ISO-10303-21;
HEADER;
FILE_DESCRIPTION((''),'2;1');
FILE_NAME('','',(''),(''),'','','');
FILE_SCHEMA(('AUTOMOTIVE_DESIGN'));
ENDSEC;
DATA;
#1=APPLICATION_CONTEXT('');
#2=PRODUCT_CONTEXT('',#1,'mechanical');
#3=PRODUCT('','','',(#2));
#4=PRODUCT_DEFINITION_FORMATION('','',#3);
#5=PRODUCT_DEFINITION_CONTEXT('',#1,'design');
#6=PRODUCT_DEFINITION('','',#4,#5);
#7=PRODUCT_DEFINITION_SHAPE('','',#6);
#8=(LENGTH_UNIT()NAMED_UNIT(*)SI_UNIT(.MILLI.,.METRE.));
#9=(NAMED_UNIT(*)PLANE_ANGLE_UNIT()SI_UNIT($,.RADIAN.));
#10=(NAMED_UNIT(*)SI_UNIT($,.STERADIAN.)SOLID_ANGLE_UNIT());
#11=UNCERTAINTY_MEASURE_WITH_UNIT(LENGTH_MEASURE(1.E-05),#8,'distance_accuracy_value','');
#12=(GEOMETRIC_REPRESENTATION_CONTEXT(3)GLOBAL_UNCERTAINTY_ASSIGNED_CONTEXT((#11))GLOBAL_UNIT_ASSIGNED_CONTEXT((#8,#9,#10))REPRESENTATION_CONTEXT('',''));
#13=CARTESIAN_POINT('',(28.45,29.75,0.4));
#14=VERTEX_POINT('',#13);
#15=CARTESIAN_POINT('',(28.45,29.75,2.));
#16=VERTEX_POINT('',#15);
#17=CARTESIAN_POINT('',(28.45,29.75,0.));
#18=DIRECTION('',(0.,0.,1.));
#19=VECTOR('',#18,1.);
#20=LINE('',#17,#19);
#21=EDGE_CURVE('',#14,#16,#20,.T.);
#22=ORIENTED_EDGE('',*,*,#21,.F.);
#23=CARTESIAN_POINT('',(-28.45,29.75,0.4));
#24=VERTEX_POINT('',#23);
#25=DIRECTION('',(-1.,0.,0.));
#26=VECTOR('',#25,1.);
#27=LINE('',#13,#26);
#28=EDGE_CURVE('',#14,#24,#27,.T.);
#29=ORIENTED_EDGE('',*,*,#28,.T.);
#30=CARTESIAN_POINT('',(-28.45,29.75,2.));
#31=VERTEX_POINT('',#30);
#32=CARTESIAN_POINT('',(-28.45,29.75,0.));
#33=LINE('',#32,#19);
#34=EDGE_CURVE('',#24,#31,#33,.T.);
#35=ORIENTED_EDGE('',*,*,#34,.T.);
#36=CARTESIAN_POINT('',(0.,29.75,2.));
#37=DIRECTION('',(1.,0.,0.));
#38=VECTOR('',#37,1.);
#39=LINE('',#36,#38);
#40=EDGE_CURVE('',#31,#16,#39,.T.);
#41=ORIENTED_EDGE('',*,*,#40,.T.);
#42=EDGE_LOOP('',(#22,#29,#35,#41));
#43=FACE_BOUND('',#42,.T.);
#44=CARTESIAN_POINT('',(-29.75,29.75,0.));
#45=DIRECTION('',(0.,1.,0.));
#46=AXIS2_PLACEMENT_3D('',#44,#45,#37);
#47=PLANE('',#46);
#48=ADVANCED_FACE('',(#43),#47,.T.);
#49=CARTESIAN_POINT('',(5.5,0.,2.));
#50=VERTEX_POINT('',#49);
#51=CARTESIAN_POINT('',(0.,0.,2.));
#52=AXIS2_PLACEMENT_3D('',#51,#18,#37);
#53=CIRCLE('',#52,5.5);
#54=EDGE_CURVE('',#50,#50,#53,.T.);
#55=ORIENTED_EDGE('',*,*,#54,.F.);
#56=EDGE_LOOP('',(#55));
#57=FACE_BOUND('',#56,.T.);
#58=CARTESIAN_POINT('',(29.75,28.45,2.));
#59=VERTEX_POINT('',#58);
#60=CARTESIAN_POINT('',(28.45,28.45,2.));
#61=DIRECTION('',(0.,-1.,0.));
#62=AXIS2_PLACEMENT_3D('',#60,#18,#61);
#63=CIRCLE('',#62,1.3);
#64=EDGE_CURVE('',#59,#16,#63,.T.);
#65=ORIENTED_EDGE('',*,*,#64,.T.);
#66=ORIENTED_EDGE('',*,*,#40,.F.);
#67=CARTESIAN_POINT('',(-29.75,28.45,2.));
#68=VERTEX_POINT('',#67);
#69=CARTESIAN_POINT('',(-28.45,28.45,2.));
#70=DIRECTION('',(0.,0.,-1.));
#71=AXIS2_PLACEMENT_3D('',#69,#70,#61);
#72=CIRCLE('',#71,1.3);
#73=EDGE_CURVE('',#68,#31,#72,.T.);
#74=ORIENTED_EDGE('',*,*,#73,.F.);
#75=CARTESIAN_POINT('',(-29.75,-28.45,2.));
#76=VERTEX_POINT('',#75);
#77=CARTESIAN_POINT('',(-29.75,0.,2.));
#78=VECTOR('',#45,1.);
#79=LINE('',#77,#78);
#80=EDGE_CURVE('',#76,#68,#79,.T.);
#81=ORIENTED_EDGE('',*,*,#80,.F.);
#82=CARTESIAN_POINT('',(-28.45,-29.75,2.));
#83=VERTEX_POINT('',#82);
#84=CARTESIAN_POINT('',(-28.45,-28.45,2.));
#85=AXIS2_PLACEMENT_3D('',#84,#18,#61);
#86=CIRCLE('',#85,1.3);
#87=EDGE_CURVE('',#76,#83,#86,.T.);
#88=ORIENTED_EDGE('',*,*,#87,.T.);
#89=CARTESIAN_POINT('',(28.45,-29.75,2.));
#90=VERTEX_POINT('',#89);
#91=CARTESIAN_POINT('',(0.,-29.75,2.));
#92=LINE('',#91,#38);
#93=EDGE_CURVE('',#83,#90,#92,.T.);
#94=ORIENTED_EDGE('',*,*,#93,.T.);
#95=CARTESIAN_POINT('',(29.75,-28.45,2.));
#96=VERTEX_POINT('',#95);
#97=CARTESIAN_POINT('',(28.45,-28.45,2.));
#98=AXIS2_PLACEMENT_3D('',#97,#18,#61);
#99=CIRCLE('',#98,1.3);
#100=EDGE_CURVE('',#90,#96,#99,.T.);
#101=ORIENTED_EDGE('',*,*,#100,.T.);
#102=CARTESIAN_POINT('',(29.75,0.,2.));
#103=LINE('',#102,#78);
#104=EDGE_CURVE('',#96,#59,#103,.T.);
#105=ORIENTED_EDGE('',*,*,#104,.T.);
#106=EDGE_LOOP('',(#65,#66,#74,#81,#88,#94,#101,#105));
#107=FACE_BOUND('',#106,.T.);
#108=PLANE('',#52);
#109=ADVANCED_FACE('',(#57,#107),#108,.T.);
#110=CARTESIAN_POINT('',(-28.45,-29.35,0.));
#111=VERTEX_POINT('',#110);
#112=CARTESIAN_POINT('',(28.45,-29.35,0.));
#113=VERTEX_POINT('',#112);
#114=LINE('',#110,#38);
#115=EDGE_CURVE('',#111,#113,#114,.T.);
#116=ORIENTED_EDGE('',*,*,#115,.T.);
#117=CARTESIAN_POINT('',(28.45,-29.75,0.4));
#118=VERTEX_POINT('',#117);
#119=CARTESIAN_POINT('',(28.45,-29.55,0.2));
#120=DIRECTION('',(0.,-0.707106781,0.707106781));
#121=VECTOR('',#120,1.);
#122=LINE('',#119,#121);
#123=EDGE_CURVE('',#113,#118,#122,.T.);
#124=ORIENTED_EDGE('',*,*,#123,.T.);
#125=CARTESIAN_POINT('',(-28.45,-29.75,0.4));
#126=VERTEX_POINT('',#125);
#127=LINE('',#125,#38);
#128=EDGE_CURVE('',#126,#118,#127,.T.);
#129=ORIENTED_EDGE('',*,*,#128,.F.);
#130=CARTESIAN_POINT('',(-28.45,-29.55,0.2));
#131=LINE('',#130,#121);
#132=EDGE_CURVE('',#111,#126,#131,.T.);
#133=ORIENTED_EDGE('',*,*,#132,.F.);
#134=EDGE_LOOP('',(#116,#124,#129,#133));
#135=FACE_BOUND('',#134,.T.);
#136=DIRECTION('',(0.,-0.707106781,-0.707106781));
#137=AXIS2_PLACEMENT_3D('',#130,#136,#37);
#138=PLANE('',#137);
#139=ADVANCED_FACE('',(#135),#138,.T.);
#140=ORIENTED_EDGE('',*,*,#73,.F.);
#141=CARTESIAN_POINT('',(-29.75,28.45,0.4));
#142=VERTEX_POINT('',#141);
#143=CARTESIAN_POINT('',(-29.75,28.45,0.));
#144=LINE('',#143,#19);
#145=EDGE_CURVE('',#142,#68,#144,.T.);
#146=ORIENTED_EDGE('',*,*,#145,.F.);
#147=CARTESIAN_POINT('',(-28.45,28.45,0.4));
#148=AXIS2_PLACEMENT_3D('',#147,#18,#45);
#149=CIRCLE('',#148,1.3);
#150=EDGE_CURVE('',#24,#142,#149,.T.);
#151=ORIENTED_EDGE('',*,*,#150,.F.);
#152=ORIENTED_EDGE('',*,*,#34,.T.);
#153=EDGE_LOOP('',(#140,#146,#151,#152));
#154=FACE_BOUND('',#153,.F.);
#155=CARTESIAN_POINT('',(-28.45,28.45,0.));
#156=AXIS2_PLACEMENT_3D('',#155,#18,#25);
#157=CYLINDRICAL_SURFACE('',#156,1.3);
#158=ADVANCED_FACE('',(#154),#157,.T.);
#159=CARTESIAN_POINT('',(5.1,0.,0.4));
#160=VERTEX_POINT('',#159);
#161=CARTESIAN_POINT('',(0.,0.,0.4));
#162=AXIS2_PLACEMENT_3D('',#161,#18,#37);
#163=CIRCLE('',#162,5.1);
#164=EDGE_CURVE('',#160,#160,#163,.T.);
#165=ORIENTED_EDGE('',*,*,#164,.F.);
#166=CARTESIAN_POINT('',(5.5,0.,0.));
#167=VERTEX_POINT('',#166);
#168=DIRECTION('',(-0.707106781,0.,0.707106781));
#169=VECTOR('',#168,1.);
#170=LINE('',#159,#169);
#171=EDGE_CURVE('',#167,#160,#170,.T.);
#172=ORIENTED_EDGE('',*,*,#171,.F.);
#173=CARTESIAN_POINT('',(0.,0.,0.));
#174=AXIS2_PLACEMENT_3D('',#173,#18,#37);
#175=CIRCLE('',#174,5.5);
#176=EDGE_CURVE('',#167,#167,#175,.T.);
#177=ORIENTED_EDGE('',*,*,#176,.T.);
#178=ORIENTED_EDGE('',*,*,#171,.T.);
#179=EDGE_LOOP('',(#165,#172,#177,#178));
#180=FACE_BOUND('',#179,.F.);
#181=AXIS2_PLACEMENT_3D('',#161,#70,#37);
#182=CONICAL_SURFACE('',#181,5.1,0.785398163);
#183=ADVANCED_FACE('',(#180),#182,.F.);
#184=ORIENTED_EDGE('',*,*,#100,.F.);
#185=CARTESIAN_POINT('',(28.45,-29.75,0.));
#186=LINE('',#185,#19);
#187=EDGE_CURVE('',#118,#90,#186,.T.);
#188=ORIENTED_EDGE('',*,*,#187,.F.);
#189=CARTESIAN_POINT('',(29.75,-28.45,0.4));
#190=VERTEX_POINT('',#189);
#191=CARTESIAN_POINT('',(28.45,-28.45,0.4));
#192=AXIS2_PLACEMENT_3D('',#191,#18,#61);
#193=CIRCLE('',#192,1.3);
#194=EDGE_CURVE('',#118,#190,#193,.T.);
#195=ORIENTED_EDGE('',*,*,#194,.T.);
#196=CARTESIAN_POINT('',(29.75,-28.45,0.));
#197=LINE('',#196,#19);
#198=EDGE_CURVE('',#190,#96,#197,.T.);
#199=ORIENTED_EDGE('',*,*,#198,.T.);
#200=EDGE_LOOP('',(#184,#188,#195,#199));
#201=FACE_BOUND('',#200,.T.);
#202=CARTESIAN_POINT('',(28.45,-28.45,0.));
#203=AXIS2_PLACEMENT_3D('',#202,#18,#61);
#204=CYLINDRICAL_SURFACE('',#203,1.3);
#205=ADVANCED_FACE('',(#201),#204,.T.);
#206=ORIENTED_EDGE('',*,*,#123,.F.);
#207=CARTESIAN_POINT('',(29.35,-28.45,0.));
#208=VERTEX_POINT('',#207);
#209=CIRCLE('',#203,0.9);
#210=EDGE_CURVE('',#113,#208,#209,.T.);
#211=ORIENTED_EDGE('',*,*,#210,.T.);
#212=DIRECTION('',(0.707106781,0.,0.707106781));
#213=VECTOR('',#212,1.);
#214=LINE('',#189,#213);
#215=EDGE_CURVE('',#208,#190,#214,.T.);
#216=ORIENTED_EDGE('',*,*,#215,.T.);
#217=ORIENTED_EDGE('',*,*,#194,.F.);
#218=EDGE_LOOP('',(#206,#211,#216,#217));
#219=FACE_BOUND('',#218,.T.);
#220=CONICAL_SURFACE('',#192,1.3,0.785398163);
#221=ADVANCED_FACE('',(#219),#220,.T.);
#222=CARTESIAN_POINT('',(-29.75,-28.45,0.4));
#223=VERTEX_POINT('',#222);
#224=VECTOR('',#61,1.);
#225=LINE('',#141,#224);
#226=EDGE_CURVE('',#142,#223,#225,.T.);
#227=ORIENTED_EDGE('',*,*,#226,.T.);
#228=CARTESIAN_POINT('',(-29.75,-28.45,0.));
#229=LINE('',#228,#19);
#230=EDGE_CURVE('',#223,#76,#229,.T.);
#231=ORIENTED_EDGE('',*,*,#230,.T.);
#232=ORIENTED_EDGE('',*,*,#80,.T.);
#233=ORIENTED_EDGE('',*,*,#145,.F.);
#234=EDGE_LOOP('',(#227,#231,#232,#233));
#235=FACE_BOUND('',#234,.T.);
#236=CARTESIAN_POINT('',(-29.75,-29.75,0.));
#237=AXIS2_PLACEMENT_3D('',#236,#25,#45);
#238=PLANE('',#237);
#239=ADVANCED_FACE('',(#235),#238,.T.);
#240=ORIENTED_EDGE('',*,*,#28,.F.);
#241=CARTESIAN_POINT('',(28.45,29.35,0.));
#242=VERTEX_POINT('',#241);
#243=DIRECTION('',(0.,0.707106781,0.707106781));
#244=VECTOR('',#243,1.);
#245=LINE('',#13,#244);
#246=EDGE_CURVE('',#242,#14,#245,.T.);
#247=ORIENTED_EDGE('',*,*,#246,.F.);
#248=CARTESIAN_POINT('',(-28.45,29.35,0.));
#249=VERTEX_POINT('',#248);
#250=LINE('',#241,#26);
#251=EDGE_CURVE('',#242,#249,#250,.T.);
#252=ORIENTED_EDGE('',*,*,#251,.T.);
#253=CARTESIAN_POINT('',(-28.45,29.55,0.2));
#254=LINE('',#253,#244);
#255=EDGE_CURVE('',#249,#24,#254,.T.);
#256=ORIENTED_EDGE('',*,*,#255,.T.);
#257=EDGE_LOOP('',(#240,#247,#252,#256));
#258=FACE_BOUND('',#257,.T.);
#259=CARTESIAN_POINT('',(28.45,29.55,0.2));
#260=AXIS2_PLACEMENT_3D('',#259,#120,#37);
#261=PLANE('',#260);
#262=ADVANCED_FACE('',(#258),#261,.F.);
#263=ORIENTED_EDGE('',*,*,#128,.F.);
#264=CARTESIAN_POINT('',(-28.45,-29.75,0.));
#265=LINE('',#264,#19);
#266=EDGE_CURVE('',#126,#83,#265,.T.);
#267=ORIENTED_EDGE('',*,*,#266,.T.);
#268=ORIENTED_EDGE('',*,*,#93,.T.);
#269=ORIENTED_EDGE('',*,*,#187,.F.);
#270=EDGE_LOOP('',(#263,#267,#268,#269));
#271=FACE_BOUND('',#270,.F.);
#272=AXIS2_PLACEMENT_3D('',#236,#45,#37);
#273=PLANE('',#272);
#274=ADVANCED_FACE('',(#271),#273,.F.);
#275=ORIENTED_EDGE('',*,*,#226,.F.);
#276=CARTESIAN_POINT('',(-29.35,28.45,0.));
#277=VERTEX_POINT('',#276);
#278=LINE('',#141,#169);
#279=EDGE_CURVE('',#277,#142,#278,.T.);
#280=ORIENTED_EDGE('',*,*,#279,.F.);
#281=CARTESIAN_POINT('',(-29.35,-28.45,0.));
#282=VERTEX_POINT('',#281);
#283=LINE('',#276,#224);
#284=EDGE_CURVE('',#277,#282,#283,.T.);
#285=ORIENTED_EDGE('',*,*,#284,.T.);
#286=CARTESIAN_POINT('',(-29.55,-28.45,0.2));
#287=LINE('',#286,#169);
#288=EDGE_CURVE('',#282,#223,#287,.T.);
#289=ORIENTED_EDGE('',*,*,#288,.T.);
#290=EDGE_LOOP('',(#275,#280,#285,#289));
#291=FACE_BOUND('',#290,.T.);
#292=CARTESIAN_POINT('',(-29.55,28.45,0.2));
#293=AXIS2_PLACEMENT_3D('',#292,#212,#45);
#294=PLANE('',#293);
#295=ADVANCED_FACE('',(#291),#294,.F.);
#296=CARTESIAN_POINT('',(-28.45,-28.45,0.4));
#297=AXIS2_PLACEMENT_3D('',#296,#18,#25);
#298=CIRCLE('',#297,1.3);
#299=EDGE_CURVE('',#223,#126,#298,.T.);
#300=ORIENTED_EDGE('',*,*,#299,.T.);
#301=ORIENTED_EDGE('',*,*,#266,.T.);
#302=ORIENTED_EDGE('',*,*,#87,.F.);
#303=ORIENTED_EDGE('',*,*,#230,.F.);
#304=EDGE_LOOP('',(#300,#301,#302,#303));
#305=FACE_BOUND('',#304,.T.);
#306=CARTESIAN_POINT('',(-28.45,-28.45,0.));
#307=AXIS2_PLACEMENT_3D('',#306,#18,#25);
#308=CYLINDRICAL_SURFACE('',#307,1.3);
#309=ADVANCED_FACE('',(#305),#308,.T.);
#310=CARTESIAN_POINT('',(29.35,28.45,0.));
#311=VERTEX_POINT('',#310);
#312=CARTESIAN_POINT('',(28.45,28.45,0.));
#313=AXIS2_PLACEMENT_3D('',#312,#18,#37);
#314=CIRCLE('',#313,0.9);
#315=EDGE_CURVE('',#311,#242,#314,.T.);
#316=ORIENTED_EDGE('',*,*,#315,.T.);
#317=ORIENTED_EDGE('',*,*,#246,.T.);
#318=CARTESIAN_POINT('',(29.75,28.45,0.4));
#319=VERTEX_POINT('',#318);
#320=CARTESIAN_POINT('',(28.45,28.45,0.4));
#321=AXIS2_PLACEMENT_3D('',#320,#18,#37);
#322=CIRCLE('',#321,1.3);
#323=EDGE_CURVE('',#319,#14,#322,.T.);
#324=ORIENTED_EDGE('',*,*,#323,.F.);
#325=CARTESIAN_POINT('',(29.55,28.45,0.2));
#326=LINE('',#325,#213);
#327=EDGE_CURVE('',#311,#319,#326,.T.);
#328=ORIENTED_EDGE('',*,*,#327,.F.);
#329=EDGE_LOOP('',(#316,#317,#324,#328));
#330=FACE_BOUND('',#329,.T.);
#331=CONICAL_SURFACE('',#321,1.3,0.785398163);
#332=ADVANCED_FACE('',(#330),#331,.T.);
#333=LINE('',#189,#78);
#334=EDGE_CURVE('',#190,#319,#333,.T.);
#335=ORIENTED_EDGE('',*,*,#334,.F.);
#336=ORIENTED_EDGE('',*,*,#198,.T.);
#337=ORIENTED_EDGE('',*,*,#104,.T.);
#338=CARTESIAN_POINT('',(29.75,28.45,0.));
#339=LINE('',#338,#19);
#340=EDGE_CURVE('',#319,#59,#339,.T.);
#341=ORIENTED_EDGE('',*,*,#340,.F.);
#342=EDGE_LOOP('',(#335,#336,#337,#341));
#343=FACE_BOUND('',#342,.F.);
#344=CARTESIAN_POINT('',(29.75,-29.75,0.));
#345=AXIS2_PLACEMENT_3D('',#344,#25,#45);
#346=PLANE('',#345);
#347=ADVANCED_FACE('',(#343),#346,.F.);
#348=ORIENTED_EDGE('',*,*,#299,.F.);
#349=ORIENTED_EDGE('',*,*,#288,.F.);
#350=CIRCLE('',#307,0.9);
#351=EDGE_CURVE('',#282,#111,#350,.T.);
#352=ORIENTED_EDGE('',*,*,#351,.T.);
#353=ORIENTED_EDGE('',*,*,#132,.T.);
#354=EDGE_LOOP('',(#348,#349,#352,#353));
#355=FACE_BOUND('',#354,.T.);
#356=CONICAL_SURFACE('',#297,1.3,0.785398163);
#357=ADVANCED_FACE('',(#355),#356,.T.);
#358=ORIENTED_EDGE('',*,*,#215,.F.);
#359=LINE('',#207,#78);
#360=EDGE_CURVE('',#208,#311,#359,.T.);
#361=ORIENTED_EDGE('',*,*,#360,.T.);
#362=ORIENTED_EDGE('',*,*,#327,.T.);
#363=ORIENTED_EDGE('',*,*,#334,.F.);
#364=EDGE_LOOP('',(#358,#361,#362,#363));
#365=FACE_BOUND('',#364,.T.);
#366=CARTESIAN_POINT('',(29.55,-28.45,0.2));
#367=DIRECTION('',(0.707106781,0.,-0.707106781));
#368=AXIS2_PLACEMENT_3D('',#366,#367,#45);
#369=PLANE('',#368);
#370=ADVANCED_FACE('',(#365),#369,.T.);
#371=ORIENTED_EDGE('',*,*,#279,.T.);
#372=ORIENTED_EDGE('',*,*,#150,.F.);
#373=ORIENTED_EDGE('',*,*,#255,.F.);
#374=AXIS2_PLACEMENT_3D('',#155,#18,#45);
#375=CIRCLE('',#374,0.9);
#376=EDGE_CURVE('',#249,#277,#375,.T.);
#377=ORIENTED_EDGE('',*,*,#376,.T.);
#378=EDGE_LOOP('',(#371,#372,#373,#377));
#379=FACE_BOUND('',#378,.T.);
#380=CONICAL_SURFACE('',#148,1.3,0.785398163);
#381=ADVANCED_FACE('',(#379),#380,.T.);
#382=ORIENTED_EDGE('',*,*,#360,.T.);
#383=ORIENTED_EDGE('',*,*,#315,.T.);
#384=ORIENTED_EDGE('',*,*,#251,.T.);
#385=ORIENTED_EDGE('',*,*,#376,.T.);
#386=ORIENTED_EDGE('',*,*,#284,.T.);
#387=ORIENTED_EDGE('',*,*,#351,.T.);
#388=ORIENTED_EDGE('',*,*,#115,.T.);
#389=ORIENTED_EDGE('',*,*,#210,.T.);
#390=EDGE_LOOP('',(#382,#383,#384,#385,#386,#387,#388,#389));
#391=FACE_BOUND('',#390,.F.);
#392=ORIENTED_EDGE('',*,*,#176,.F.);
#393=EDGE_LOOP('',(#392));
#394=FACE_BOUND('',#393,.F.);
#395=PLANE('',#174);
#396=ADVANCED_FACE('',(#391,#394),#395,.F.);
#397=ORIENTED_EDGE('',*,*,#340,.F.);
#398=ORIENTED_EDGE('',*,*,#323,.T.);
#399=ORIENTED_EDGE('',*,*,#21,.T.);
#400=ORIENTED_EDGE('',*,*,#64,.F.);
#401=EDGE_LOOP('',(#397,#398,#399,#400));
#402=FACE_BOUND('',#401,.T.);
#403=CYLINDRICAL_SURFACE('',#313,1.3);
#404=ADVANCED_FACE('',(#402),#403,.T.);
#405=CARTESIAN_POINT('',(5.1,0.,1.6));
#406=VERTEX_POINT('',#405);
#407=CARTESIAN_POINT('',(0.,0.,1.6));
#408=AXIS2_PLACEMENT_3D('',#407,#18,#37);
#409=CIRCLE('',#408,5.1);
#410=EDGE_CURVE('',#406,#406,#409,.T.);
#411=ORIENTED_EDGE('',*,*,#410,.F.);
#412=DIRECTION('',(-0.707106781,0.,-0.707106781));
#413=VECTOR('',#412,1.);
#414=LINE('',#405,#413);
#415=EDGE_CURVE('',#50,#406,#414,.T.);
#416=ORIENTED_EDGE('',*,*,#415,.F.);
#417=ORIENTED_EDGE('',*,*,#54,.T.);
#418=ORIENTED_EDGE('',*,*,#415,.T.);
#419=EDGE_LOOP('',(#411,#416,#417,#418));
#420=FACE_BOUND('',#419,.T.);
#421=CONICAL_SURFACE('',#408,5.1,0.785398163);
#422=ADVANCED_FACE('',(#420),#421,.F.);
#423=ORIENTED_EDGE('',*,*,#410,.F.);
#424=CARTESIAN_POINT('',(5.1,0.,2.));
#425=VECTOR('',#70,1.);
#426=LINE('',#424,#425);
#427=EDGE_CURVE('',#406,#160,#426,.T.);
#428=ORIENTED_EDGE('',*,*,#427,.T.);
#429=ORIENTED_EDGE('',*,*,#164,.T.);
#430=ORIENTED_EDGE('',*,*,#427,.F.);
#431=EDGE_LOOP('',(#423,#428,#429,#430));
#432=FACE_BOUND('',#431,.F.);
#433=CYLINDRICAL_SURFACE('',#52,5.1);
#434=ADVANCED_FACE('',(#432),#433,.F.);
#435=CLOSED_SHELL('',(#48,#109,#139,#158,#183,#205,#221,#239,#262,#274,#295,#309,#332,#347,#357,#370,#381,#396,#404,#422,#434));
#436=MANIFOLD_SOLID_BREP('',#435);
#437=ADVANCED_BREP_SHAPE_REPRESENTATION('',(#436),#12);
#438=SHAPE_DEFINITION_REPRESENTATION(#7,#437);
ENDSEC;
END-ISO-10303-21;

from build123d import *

# Parameters (mm, degrees)
F0_W     = 59.5
F0_H     = 59.5
F1_DEPTH = 2
F2_R     = 1.3
F3_R     = 5.1
F4_DEPTH = 25
F5_SIZE  = 0.4


with BuildPart() as f1:
    # F0 (on Top) → F1 (new body)
    with BuildSketch(Plane.XY):
        Rectangle(F0_W, F0_H)
    extrude(amount=F1_DEPTH)

    # F2
    f2_edges = [f1.edges().sort_by_distance(p)[0] for p in [
        (29.75, -29.75, 1),
        (-29.75, -29.75, 1),
        (29.75, 29.75, 1),
        (-29.75, 29.75, 1),
    ]]
    fillet(f2_edges, radius=F2_R)

    # F3 (on face) → F4 (cut)
    with BuildSketch(Plane.XY.offset(2)):
        Circle(F3_R)
    extrude(amount=-F4_DEPTH, mode=Mode.SUBTRACT)

    # F5
    f5_edges = [f1.edges().sort_by_distance(p)[0] for p in [
        (0, -29.75, 0),
        (-5.1, 0, 2),
        (-29.369239, -29.369239, 0),
        (29.369239, -29.369239, 0),
        (-29.75, 0, 0),
        (29.75, 0, 0),
        (-29.369239, 29.369239, 0),
        (29.369239, 29.369239, 0),
        (0, 29.75, 0),
        (-5.1, 0, 0),
    ]]
    chamfer(f5_edges, length=F5_SIZE)


solid = f1.part
